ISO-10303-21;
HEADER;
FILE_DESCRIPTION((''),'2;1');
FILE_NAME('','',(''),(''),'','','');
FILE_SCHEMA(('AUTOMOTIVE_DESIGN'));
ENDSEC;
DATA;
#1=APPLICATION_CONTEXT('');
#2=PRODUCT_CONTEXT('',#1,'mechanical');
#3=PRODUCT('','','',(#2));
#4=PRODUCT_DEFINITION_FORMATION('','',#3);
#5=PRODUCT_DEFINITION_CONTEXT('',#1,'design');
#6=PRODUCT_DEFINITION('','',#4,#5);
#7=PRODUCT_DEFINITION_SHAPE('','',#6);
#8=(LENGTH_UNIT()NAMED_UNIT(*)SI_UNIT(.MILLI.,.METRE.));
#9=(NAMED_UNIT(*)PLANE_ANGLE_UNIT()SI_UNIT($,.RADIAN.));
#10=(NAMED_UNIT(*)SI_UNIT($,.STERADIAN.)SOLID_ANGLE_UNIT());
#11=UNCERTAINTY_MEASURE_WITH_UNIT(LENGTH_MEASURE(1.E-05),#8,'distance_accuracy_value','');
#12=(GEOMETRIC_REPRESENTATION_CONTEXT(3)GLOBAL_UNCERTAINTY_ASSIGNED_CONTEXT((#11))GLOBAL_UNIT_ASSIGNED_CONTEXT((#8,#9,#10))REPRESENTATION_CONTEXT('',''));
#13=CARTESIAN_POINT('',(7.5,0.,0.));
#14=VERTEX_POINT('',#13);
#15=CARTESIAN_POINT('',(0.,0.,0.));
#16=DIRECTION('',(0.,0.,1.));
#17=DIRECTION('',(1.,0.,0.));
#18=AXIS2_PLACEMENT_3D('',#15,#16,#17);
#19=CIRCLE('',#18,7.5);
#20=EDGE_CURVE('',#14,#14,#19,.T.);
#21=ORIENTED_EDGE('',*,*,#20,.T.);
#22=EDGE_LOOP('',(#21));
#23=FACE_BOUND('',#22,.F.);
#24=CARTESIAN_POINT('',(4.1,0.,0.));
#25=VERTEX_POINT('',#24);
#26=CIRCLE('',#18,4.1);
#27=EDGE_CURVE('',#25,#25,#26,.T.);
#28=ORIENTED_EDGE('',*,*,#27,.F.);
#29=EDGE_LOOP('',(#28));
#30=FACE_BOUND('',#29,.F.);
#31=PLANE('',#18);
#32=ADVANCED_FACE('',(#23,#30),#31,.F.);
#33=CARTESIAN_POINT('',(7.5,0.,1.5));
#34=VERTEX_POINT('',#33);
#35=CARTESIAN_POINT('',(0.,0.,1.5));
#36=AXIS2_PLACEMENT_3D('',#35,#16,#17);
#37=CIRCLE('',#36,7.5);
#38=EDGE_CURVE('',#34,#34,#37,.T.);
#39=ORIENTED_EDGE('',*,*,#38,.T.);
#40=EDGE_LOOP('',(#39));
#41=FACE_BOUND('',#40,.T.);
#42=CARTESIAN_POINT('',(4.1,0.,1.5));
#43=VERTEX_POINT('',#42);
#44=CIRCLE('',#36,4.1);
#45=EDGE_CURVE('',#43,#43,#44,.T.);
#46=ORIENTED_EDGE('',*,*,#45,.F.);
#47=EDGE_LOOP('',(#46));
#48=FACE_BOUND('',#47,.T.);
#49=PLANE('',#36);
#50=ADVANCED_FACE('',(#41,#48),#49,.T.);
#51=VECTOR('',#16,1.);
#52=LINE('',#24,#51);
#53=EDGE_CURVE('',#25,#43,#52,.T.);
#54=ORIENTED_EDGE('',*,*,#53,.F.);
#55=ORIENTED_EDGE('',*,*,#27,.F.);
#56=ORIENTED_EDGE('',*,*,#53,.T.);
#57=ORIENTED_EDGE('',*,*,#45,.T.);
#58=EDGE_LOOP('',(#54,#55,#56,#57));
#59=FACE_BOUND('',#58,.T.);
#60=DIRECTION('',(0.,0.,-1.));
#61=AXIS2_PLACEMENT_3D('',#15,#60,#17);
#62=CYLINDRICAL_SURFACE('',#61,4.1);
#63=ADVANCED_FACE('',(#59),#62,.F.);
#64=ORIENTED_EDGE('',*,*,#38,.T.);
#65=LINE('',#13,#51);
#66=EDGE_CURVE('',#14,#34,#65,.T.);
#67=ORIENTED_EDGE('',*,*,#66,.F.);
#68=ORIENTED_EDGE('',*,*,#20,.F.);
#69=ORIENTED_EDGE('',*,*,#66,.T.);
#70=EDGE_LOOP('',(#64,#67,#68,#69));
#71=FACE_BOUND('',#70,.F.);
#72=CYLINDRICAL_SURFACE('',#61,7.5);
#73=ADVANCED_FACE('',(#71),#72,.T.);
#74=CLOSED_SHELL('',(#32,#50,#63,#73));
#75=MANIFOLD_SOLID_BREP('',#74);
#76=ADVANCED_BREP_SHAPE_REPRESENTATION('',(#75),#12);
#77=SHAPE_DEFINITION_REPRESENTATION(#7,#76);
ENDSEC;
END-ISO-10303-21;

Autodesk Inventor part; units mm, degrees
ref_plane "YZ Plane" through (0, 0, 0) normal (1, 0, 0) x (0, 1, 0)
ref_plane "XZ Plane" through (0, 0, 0) normal (0, 1, 0) x (-1, 0, 0)
ref_plane "XY Plane" through (0, 0, 0) normal (0, 0, 1) x (1, 0, 0)
sketch "Sketch1" plane through (0, 0, 0) normal (0, 0, 1) x (1, 0, 0)
  circle A0 centre (0, 0) radius 4.1
  circle A1 centre (0, 0) radius 7.5
  dimension "d0" = 8.2
  dimension "d2" = 15
extrude "Extrusion1" add sketch "Sketch1" along normal blind 1.5
properties part number "M8 WASHER"
